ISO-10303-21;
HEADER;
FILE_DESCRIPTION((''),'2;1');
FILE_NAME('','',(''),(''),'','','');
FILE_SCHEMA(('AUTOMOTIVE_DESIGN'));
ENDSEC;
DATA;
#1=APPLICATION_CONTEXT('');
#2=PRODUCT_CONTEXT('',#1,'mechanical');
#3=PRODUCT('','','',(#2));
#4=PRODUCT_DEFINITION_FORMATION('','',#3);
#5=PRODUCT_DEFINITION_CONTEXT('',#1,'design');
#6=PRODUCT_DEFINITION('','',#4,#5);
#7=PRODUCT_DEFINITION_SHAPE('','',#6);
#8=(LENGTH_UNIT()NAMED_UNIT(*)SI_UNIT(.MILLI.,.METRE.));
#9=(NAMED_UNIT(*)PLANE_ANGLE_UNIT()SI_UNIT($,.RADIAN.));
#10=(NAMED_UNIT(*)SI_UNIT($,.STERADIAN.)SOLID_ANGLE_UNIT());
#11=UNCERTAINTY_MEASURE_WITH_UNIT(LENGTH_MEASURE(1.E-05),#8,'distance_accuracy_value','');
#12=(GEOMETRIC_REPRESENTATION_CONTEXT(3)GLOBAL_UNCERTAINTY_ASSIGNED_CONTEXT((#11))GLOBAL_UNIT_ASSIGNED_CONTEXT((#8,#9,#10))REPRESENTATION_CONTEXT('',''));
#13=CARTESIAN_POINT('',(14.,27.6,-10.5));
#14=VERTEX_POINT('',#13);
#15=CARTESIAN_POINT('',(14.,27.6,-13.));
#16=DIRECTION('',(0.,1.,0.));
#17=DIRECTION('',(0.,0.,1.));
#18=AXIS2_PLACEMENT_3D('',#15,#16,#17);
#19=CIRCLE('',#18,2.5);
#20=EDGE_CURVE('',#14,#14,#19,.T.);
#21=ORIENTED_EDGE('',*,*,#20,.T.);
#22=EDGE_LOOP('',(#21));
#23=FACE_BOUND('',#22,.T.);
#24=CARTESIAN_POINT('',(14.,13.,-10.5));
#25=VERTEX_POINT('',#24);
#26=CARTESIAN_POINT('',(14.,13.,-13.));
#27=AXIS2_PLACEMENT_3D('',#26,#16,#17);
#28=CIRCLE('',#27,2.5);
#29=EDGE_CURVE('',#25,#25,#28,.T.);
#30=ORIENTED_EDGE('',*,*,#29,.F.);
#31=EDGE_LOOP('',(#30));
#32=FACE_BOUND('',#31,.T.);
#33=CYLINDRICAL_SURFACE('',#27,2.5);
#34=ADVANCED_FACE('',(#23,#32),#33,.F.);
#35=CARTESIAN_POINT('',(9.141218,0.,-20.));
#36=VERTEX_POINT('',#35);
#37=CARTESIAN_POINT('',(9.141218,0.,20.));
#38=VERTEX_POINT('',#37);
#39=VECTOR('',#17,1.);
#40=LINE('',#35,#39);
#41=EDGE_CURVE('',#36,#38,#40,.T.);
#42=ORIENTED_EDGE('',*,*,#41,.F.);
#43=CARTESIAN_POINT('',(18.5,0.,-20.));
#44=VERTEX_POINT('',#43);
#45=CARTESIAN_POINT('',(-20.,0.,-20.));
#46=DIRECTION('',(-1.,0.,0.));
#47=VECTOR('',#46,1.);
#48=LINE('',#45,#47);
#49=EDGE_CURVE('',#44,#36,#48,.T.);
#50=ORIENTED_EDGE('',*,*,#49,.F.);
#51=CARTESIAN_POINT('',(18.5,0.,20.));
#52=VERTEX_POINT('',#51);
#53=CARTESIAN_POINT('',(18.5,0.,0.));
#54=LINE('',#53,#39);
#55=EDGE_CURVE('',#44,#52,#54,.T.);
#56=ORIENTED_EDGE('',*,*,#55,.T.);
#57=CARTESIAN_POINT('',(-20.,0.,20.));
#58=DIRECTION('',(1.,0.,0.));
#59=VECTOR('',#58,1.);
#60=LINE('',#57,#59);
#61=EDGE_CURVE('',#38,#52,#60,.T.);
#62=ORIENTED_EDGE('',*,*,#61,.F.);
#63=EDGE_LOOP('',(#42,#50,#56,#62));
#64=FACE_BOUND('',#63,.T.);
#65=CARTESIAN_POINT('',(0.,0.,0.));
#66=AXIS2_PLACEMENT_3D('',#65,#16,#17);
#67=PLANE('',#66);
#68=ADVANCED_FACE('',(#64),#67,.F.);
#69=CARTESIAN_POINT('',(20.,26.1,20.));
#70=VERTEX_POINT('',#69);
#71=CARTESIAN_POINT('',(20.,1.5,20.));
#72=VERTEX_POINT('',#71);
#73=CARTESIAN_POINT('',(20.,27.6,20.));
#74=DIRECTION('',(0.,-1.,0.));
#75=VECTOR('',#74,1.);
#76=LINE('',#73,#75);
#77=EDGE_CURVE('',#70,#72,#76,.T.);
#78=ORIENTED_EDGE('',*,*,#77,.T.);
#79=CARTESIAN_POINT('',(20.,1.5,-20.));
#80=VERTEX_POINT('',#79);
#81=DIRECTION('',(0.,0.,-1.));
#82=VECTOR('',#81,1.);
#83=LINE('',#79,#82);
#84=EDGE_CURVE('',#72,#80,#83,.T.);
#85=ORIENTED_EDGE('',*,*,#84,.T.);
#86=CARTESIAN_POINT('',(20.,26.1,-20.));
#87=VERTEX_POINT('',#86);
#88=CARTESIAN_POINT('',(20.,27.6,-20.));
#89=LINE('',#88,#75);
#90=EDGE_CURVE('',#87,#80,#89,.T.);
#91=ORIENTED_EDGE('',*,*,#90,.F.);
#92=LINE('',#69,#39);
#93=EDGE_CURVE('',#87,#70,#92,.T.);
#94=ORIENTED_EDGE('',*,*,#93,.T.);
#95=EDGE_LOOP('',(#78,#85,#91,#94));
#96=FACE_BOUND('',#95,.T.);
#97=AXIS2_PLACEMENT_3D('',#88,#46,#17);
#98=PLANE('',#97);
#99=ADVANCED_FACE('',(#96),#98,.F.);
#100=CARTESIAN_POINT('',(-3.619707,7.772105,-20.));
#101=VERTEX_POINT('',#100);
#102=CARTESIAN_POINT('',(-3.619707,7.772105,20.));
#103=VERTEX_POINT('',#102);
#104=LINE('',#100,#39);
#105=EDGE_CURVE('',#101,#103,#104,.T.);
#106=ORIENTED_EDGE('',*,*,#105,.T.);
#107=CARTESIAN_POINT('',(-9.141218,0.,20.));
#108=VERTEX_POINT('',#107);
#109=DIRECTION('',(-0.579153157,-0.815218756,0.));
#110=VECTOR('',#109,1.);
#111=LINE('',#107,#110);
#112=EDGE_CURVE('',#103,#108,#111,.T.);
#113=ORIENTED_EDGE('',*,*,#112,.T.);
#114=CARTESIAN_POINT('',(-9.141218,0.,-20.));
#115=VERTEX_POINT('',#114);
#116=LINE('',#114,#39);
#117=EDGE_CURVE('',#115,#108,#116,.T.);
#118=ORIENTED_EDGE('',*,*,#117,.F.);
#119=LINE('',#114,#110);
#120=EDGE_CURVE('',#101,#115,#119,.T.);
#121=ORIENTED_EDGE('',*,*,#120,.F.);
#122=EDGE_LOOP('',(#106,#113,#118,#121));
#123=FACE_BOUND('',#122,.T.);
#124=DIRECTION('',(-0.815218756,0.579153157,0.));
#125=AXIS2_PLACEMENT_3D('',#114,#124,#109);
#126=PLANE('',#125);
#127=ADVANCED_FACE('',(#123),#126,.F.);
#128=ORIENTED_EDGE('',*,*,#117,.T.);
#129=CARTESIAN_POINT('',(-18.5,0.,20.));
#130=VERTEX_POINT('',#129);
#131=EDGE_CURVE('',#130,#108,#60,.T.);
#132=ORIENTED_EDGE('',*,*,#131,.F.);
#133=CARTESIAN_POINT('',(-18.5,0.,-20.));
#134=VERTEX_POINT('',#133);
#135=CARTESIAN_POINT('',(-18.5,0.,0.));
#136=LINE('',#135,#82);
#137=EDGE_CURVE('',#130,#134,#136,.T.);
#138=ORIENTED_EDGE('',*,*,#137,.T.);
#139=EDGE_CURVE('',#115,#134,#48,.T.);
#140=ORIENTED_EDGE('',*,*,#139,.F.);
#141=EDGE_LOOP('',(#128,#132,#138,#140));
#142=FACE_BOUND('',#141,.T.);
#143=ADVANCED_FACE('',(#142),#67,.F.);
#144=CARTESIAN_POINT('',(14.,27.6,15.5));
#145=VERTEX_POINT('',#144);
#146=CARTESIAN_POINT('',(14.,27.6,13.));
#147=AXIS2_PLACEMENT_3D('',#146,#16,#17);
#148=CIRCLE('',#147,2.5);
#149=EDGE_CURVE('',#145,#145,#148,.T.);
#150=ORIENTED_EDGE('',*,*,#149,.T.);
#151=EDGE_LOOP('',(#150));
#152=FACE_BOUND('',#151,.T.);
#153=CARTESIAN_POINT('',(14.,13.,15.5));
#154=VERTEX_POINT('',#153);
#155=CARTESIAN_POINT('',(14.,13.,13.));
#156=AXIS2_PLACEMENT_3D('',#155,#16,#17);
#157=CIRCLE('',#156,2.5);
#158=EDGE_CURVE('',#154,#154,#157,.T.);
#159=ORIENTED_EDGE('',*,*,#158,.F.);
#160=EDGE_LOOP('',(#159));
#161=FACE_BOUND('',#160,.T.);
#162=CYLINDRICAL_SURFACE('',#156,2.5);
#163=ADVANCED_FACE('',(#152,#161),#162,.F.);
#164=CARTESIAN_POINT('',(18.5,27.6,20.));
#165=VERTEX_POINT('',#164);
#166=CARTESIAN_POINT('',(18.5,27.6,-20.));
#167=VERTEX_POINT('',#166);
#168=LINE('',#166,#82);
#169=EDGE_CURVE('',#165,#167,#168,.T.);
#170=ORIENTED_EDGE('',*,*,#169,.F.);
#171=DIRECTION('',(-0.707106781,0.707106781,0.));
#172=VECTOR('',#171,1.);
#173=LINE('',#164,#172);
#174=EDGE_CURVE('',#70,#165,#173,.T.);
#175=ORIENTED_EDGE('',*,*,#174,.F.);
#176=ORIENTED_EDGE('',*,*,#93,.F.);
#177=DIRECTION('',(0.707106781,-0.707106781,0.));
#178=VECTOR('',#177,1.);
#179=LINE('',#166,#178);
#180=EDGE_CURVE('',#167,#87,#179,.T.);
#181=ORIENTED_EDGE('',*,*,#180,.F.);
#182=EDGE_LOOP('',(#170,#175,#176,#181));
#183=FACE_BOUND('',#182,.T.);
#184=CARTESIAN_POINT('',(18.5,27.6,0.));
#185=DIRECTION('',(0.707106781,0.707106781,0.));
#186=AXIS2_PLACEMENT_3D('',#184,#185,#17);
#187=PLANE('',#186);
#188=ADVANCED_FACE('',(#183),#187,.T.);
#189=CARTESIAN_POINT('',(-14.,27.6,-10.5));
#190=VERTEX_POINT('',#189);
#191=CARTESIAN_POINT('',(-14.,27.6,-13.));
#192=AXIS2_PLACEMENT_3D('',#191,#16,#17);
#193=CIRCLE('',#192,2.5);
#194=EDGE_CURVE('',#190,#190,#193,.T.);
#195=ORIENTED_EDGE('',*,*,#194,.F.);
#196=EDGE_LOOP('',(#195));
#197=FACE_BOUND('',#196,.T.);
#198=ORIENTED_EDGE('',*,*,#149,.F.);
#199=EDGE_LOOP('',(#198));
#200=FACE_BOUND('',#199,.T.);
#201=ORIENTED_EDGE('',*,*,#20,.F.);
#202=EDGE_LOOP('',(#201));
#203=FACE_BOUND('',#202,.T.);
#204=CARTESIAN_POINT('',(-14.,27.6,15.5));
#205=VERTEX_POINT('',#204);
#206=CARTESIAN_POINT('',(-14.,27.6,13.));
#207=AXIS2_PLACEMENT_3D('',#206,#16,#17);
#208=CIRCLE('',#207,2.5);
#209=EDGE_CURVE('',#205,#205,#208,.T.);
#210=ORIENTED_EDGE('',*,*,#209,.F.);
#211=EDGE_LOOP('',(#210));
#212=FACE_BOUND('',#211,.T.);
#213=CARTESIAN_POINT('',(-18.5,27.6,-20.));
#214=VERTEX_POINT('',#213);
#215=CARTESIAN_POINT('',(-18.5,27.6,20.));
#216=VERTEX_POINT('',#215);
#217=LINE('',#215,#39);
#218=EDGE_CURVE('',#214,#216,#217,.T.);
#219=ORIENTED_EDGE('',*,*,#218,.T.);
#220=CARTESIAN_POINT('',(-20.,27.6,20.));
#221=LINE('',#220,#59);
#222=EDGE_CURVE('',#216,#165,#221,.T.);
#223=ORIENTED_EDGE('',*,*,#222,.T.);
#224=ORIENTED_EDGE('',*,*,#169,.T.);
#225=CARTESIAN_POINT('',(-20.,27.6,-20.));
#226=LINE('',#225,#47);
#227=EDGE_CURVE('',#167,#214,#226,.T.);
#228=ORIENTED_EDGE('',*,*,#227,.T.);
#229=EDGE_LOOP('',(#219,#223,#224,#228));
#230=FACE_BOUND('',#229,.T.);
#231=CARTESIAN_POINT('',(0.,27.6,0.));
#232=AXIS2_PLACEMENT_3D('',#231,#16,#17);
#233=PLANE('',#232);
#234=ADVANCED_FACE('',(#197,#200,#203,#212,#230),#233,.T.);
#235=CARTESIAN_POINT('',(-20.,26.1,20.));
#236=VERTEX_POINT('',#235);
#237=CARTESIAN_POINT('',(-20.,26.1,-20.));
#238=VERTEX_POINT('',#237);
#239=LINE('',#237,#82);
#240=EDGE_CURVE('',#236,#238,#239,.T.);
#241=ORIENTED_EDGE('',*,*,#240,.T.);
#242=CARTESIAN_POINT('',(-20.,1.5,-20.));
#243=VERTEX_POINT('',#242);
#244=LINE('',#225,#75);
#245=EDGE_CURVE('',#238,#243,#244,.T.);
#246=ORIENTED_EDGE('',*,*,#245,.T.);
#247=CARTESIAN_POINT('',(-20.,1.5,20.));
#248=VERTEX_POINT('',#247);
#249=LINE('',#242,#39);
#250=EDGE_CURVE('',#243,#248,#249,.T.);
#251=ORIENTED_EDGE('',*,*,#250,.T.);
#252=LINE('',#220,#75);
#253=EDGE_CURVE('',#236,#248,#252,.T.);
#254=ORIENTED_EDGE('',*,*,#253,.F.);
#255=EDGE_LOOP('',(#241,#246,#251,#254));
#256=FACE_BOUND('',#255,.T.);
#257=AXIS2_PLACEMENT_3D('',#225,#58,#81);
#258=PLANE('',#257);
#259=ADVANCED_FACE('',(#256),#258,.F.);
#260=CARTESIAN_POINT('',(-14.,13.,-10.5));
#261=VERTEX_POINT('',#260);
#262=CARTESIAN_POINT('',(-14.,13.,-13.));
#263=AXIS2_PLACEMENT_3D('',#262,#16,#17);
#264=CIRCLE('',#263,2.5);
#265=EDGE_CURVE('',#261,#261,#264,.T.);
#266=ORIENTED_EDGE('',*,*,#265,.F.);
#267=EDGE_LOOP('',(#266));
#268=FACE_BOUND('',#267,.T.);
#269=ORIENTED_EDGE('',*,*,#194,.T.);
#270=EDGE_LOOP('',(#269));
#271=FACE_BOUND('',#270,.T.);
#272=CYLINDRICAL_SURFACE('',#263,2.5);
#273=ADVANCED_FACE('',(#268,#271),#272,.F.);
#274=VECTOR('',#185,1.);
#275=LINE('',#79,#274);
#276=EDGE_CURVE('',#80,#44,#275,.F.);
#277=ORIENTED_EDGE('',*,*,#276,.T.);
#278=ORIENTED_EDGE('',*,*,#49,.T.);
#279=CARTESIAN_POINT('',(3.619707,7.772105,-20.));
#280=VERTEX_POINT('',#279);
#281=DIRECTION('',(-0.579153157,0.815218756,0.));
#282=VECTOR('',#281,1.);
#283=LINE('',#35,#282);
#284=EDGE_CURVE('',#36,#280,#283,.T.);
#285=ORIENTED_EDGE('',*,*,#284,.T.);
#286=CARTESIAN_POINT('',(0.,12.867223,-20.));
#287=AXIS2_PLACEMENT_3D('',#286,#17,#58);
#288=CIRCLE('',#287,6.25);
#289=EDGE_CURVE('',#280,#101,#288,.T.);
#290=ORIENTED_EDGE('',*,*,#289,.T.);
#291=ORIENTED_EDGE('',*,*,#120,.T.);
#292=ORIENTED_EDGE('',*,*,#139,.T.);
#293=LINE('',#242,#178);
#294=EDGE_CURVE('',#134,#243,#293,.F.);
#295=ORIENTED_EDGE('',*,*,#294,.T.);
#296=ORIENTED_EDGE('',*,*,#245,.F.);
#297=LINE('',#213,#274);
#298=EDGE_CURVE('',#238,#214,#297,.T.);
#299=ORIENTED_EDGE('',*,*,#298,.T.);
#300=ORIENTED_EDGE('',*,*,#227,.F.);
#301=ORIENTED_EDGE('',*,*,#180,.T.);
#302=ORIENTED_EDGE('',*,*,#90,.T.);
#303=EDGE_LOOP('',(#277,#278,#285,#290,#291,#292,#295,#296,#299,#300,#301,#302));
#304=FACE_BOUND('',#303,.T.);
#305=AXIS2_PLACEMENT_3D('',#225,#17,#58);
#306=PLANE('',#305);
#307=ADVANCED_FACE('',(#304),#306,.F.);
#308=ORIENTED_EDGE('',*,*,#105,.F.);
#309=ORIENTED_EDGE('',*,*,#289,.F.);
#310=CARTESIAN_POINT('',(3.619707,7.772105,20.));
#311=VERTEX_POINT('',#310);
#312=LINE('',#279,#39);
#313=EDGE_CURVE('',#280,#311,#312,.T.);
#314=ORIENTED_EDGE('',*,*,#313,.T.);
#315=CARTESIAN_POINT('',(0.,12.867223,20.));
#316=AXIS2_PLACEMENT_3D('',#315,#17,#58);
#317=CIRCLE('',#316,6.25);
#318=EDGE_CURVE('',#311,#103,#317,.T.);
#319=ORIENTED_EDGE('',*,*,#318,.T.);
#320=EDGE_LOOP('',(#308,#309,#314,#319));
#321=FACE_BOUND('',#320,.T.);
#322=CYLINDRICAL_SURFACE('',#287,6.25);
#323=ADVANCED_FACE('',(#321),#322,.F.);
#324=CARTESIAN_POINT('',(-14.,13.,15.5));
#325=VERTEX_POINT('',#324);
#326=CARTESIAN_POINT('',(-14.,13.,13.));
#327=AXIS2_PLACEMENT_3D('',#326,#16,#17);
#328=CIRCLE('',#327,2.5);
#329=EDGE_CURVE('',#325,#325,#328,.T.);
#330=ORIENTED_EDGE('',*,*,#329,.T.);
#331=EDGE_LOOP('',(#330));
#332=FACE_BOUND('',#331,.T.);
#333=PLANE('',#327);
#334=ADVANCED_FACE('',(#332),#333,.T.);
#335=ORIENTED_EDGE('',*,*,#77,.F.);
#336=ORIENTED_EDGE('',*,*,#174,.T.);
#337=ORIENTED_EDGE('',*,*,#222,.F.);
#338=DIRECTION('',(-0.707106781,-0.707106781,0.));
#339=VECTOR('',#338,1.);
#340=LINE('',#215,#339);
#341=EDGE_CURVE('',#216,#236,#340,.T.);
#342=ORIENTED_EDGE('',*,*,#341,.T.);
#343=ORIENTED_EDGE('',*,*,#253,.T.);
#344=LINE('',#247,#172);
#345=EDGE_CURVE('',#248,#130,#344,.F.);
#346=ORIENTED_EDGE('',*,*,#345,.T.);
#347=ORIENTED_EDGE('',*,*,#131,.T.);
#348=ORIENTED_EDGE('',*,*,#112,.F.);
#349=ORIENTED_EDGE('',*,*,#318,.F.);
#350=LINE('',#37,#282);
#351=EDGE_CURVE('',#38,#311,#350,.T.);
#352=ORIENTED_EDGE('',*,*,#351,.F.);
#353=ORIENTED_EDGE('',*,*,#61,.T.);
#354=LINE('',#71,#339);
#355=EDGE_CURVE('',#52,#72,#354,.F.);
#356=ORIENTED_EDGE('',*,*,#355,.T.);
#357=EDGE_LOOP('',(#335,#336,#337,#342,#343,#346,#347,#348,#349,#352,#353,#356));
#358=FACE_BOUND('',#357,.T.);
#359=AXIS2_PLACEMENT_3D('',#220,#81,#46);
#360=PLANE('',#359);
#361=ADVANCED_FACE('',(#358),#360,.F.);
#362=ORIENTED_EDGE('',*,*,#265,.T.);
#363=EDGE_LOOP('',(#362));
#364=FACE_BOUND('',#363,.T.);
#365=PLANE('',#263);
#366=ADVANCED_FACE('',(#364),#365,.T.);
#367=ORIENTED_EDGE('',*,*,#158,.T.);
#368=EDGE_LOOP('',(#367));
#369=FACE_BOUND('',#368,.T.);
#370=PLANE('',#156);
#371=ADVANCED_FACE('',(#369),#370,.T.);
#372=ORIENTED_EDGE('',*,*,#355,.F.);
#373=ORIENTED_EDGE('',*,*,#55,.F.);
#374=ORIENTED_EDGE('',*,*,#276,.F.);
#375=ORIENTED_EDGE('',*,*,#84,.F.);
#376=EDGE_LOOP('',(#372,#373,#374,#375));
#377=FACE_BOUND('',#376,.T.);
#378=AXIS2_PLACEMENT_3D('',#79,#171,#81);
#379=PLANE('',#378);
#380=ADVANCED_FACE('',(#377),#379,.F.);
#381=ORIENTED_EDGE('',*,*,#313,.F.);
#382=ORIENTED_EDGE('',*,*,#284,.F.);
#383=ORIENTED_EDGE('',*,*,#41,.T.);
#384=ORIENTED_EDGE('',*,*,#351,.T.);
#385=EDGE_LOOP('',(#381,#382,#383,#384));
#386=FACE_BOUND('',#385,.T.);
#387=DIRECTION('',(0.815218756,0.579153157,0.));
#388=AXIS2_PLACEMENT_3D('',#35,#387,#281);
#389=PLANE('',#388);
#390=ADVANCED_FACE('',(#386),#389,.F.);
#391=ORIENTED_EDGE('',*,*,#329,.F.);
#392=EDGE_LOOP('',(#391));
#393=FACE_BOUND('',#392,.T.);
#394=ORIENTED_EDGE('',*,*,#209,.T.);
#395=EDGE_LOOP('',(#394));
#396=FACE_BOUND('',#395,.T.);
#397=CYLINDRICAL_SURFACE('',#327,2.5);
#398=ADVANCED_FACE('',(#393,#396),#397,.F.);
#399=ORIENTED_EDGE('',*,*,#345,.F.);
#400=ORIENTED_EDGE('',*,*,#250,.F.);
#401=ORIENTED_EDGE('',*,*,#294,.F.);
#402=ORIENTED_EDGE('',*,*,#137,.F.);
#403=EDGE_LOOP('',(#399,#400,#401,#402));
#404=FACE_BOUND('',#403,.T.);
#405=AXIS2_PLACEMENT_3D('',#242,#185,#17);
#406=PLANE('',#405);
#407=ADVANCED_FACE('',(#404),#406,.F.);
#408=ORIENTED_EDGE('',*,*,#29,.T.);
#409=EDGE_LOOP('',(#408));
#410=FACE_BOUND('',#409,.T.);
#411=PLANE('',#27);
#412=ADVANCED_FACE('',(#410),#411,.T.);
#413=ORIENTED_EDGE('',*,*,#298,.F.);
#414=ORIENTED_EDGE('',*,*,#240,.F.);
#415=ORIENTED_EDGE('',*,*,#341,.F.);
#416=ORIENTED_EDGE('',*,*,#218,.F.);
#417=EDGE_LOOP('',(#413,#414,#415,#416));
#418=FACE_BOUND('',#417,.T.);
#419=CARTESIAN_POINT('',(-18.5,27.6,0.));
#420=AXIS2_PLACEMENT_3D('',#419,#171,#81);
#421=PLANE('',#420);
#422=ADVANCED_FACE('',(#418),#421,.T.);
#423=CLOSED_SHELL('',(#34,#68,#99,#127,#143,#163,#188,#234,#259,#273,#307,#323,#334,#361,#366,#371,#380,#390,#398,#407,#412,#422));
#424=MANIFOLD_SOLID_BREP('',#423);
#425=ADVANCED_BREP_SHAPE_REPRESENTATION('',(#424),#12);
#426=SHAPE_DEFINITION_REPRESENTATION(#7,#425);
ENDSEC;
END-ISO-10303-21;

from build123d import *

# Parameters (mm, degrees)
SKETCH1_W           = 40
SKETCH1_H           = 40
BOSS_EXTRUDE1_DEPTH = 27.6
CUT_EXTRUDE1_DEPTH  = 41
SKETCH3_R           = 2.5
CUT_EXTRUDE2_DEPTH  = 14.6
CHAMFER1_SIZE       = 1.5


with BuildPart() as part:
    # Sketch1 → Boss-Extrude1 (new body)
    with BuildSketch(Plane(origin=(0, 0, 0), x_dir=(1, 0, 0), z_dir=(0, 1, 0))):
        Rectangle(SKETCH1_W, SKETCH1_H)
    extrude(amount=BOSS_EXTRUDE1_DEPTH)

    # Sketch2 → Cut-Extrude1 (cut, through all)
    with BuildSketch(Plane.XY.offset(20)):
        with BuildLine():
            Line((9.141218295, 0), (-9.141218295, 0))
            Line((-9.141218295, 0), (-3.619707233, 7.772105397))
            ThreePointArc((-3.619707233, 7.772105397), (0, 19.117222623), (3.619707233, 7.772105397))
            Line((3.619707233, 7.772105397), (9.141218295, 0))
        make_face()
    extrude(amount=-CUT_EXTRUDE1_DEPTH, mode=Mode.SUBTRACT)

    # Sketch3 → Cut-Extrude2 (cut)
    with BuildSketch(Plane(origin=(0, 27.6, 0), x_dir=(1, 0, 0), z_dir=(0, 1, 0))):
        with Locations((-14, 13)):
            Circle(SKETCH3_R)
        with Locations((14, 13)):
            Circle(SKETCH3_R)
        with Locations((14, -13)):
            Circle(SKETCH3_R)
        with Locations((-14, -13)):
            Circle(SKETCH3_R)
    extrude(amount=-CUT_EXTRUDE2_DEPTH, mode=Mode.SUBTRACT)

    # Chamfer1
    chamfer1_edges = [part.edges().sort_by_distance(p)[0] for p in [
        (-20, 27.6, 0),
        (20, 27.6, 0),
        (-20, 0, 0),
        (20, 0, 0),
    ]]
    chamfer(chamfer1_edges, length=CHAMFER1_SIZE)


solid = part.part
